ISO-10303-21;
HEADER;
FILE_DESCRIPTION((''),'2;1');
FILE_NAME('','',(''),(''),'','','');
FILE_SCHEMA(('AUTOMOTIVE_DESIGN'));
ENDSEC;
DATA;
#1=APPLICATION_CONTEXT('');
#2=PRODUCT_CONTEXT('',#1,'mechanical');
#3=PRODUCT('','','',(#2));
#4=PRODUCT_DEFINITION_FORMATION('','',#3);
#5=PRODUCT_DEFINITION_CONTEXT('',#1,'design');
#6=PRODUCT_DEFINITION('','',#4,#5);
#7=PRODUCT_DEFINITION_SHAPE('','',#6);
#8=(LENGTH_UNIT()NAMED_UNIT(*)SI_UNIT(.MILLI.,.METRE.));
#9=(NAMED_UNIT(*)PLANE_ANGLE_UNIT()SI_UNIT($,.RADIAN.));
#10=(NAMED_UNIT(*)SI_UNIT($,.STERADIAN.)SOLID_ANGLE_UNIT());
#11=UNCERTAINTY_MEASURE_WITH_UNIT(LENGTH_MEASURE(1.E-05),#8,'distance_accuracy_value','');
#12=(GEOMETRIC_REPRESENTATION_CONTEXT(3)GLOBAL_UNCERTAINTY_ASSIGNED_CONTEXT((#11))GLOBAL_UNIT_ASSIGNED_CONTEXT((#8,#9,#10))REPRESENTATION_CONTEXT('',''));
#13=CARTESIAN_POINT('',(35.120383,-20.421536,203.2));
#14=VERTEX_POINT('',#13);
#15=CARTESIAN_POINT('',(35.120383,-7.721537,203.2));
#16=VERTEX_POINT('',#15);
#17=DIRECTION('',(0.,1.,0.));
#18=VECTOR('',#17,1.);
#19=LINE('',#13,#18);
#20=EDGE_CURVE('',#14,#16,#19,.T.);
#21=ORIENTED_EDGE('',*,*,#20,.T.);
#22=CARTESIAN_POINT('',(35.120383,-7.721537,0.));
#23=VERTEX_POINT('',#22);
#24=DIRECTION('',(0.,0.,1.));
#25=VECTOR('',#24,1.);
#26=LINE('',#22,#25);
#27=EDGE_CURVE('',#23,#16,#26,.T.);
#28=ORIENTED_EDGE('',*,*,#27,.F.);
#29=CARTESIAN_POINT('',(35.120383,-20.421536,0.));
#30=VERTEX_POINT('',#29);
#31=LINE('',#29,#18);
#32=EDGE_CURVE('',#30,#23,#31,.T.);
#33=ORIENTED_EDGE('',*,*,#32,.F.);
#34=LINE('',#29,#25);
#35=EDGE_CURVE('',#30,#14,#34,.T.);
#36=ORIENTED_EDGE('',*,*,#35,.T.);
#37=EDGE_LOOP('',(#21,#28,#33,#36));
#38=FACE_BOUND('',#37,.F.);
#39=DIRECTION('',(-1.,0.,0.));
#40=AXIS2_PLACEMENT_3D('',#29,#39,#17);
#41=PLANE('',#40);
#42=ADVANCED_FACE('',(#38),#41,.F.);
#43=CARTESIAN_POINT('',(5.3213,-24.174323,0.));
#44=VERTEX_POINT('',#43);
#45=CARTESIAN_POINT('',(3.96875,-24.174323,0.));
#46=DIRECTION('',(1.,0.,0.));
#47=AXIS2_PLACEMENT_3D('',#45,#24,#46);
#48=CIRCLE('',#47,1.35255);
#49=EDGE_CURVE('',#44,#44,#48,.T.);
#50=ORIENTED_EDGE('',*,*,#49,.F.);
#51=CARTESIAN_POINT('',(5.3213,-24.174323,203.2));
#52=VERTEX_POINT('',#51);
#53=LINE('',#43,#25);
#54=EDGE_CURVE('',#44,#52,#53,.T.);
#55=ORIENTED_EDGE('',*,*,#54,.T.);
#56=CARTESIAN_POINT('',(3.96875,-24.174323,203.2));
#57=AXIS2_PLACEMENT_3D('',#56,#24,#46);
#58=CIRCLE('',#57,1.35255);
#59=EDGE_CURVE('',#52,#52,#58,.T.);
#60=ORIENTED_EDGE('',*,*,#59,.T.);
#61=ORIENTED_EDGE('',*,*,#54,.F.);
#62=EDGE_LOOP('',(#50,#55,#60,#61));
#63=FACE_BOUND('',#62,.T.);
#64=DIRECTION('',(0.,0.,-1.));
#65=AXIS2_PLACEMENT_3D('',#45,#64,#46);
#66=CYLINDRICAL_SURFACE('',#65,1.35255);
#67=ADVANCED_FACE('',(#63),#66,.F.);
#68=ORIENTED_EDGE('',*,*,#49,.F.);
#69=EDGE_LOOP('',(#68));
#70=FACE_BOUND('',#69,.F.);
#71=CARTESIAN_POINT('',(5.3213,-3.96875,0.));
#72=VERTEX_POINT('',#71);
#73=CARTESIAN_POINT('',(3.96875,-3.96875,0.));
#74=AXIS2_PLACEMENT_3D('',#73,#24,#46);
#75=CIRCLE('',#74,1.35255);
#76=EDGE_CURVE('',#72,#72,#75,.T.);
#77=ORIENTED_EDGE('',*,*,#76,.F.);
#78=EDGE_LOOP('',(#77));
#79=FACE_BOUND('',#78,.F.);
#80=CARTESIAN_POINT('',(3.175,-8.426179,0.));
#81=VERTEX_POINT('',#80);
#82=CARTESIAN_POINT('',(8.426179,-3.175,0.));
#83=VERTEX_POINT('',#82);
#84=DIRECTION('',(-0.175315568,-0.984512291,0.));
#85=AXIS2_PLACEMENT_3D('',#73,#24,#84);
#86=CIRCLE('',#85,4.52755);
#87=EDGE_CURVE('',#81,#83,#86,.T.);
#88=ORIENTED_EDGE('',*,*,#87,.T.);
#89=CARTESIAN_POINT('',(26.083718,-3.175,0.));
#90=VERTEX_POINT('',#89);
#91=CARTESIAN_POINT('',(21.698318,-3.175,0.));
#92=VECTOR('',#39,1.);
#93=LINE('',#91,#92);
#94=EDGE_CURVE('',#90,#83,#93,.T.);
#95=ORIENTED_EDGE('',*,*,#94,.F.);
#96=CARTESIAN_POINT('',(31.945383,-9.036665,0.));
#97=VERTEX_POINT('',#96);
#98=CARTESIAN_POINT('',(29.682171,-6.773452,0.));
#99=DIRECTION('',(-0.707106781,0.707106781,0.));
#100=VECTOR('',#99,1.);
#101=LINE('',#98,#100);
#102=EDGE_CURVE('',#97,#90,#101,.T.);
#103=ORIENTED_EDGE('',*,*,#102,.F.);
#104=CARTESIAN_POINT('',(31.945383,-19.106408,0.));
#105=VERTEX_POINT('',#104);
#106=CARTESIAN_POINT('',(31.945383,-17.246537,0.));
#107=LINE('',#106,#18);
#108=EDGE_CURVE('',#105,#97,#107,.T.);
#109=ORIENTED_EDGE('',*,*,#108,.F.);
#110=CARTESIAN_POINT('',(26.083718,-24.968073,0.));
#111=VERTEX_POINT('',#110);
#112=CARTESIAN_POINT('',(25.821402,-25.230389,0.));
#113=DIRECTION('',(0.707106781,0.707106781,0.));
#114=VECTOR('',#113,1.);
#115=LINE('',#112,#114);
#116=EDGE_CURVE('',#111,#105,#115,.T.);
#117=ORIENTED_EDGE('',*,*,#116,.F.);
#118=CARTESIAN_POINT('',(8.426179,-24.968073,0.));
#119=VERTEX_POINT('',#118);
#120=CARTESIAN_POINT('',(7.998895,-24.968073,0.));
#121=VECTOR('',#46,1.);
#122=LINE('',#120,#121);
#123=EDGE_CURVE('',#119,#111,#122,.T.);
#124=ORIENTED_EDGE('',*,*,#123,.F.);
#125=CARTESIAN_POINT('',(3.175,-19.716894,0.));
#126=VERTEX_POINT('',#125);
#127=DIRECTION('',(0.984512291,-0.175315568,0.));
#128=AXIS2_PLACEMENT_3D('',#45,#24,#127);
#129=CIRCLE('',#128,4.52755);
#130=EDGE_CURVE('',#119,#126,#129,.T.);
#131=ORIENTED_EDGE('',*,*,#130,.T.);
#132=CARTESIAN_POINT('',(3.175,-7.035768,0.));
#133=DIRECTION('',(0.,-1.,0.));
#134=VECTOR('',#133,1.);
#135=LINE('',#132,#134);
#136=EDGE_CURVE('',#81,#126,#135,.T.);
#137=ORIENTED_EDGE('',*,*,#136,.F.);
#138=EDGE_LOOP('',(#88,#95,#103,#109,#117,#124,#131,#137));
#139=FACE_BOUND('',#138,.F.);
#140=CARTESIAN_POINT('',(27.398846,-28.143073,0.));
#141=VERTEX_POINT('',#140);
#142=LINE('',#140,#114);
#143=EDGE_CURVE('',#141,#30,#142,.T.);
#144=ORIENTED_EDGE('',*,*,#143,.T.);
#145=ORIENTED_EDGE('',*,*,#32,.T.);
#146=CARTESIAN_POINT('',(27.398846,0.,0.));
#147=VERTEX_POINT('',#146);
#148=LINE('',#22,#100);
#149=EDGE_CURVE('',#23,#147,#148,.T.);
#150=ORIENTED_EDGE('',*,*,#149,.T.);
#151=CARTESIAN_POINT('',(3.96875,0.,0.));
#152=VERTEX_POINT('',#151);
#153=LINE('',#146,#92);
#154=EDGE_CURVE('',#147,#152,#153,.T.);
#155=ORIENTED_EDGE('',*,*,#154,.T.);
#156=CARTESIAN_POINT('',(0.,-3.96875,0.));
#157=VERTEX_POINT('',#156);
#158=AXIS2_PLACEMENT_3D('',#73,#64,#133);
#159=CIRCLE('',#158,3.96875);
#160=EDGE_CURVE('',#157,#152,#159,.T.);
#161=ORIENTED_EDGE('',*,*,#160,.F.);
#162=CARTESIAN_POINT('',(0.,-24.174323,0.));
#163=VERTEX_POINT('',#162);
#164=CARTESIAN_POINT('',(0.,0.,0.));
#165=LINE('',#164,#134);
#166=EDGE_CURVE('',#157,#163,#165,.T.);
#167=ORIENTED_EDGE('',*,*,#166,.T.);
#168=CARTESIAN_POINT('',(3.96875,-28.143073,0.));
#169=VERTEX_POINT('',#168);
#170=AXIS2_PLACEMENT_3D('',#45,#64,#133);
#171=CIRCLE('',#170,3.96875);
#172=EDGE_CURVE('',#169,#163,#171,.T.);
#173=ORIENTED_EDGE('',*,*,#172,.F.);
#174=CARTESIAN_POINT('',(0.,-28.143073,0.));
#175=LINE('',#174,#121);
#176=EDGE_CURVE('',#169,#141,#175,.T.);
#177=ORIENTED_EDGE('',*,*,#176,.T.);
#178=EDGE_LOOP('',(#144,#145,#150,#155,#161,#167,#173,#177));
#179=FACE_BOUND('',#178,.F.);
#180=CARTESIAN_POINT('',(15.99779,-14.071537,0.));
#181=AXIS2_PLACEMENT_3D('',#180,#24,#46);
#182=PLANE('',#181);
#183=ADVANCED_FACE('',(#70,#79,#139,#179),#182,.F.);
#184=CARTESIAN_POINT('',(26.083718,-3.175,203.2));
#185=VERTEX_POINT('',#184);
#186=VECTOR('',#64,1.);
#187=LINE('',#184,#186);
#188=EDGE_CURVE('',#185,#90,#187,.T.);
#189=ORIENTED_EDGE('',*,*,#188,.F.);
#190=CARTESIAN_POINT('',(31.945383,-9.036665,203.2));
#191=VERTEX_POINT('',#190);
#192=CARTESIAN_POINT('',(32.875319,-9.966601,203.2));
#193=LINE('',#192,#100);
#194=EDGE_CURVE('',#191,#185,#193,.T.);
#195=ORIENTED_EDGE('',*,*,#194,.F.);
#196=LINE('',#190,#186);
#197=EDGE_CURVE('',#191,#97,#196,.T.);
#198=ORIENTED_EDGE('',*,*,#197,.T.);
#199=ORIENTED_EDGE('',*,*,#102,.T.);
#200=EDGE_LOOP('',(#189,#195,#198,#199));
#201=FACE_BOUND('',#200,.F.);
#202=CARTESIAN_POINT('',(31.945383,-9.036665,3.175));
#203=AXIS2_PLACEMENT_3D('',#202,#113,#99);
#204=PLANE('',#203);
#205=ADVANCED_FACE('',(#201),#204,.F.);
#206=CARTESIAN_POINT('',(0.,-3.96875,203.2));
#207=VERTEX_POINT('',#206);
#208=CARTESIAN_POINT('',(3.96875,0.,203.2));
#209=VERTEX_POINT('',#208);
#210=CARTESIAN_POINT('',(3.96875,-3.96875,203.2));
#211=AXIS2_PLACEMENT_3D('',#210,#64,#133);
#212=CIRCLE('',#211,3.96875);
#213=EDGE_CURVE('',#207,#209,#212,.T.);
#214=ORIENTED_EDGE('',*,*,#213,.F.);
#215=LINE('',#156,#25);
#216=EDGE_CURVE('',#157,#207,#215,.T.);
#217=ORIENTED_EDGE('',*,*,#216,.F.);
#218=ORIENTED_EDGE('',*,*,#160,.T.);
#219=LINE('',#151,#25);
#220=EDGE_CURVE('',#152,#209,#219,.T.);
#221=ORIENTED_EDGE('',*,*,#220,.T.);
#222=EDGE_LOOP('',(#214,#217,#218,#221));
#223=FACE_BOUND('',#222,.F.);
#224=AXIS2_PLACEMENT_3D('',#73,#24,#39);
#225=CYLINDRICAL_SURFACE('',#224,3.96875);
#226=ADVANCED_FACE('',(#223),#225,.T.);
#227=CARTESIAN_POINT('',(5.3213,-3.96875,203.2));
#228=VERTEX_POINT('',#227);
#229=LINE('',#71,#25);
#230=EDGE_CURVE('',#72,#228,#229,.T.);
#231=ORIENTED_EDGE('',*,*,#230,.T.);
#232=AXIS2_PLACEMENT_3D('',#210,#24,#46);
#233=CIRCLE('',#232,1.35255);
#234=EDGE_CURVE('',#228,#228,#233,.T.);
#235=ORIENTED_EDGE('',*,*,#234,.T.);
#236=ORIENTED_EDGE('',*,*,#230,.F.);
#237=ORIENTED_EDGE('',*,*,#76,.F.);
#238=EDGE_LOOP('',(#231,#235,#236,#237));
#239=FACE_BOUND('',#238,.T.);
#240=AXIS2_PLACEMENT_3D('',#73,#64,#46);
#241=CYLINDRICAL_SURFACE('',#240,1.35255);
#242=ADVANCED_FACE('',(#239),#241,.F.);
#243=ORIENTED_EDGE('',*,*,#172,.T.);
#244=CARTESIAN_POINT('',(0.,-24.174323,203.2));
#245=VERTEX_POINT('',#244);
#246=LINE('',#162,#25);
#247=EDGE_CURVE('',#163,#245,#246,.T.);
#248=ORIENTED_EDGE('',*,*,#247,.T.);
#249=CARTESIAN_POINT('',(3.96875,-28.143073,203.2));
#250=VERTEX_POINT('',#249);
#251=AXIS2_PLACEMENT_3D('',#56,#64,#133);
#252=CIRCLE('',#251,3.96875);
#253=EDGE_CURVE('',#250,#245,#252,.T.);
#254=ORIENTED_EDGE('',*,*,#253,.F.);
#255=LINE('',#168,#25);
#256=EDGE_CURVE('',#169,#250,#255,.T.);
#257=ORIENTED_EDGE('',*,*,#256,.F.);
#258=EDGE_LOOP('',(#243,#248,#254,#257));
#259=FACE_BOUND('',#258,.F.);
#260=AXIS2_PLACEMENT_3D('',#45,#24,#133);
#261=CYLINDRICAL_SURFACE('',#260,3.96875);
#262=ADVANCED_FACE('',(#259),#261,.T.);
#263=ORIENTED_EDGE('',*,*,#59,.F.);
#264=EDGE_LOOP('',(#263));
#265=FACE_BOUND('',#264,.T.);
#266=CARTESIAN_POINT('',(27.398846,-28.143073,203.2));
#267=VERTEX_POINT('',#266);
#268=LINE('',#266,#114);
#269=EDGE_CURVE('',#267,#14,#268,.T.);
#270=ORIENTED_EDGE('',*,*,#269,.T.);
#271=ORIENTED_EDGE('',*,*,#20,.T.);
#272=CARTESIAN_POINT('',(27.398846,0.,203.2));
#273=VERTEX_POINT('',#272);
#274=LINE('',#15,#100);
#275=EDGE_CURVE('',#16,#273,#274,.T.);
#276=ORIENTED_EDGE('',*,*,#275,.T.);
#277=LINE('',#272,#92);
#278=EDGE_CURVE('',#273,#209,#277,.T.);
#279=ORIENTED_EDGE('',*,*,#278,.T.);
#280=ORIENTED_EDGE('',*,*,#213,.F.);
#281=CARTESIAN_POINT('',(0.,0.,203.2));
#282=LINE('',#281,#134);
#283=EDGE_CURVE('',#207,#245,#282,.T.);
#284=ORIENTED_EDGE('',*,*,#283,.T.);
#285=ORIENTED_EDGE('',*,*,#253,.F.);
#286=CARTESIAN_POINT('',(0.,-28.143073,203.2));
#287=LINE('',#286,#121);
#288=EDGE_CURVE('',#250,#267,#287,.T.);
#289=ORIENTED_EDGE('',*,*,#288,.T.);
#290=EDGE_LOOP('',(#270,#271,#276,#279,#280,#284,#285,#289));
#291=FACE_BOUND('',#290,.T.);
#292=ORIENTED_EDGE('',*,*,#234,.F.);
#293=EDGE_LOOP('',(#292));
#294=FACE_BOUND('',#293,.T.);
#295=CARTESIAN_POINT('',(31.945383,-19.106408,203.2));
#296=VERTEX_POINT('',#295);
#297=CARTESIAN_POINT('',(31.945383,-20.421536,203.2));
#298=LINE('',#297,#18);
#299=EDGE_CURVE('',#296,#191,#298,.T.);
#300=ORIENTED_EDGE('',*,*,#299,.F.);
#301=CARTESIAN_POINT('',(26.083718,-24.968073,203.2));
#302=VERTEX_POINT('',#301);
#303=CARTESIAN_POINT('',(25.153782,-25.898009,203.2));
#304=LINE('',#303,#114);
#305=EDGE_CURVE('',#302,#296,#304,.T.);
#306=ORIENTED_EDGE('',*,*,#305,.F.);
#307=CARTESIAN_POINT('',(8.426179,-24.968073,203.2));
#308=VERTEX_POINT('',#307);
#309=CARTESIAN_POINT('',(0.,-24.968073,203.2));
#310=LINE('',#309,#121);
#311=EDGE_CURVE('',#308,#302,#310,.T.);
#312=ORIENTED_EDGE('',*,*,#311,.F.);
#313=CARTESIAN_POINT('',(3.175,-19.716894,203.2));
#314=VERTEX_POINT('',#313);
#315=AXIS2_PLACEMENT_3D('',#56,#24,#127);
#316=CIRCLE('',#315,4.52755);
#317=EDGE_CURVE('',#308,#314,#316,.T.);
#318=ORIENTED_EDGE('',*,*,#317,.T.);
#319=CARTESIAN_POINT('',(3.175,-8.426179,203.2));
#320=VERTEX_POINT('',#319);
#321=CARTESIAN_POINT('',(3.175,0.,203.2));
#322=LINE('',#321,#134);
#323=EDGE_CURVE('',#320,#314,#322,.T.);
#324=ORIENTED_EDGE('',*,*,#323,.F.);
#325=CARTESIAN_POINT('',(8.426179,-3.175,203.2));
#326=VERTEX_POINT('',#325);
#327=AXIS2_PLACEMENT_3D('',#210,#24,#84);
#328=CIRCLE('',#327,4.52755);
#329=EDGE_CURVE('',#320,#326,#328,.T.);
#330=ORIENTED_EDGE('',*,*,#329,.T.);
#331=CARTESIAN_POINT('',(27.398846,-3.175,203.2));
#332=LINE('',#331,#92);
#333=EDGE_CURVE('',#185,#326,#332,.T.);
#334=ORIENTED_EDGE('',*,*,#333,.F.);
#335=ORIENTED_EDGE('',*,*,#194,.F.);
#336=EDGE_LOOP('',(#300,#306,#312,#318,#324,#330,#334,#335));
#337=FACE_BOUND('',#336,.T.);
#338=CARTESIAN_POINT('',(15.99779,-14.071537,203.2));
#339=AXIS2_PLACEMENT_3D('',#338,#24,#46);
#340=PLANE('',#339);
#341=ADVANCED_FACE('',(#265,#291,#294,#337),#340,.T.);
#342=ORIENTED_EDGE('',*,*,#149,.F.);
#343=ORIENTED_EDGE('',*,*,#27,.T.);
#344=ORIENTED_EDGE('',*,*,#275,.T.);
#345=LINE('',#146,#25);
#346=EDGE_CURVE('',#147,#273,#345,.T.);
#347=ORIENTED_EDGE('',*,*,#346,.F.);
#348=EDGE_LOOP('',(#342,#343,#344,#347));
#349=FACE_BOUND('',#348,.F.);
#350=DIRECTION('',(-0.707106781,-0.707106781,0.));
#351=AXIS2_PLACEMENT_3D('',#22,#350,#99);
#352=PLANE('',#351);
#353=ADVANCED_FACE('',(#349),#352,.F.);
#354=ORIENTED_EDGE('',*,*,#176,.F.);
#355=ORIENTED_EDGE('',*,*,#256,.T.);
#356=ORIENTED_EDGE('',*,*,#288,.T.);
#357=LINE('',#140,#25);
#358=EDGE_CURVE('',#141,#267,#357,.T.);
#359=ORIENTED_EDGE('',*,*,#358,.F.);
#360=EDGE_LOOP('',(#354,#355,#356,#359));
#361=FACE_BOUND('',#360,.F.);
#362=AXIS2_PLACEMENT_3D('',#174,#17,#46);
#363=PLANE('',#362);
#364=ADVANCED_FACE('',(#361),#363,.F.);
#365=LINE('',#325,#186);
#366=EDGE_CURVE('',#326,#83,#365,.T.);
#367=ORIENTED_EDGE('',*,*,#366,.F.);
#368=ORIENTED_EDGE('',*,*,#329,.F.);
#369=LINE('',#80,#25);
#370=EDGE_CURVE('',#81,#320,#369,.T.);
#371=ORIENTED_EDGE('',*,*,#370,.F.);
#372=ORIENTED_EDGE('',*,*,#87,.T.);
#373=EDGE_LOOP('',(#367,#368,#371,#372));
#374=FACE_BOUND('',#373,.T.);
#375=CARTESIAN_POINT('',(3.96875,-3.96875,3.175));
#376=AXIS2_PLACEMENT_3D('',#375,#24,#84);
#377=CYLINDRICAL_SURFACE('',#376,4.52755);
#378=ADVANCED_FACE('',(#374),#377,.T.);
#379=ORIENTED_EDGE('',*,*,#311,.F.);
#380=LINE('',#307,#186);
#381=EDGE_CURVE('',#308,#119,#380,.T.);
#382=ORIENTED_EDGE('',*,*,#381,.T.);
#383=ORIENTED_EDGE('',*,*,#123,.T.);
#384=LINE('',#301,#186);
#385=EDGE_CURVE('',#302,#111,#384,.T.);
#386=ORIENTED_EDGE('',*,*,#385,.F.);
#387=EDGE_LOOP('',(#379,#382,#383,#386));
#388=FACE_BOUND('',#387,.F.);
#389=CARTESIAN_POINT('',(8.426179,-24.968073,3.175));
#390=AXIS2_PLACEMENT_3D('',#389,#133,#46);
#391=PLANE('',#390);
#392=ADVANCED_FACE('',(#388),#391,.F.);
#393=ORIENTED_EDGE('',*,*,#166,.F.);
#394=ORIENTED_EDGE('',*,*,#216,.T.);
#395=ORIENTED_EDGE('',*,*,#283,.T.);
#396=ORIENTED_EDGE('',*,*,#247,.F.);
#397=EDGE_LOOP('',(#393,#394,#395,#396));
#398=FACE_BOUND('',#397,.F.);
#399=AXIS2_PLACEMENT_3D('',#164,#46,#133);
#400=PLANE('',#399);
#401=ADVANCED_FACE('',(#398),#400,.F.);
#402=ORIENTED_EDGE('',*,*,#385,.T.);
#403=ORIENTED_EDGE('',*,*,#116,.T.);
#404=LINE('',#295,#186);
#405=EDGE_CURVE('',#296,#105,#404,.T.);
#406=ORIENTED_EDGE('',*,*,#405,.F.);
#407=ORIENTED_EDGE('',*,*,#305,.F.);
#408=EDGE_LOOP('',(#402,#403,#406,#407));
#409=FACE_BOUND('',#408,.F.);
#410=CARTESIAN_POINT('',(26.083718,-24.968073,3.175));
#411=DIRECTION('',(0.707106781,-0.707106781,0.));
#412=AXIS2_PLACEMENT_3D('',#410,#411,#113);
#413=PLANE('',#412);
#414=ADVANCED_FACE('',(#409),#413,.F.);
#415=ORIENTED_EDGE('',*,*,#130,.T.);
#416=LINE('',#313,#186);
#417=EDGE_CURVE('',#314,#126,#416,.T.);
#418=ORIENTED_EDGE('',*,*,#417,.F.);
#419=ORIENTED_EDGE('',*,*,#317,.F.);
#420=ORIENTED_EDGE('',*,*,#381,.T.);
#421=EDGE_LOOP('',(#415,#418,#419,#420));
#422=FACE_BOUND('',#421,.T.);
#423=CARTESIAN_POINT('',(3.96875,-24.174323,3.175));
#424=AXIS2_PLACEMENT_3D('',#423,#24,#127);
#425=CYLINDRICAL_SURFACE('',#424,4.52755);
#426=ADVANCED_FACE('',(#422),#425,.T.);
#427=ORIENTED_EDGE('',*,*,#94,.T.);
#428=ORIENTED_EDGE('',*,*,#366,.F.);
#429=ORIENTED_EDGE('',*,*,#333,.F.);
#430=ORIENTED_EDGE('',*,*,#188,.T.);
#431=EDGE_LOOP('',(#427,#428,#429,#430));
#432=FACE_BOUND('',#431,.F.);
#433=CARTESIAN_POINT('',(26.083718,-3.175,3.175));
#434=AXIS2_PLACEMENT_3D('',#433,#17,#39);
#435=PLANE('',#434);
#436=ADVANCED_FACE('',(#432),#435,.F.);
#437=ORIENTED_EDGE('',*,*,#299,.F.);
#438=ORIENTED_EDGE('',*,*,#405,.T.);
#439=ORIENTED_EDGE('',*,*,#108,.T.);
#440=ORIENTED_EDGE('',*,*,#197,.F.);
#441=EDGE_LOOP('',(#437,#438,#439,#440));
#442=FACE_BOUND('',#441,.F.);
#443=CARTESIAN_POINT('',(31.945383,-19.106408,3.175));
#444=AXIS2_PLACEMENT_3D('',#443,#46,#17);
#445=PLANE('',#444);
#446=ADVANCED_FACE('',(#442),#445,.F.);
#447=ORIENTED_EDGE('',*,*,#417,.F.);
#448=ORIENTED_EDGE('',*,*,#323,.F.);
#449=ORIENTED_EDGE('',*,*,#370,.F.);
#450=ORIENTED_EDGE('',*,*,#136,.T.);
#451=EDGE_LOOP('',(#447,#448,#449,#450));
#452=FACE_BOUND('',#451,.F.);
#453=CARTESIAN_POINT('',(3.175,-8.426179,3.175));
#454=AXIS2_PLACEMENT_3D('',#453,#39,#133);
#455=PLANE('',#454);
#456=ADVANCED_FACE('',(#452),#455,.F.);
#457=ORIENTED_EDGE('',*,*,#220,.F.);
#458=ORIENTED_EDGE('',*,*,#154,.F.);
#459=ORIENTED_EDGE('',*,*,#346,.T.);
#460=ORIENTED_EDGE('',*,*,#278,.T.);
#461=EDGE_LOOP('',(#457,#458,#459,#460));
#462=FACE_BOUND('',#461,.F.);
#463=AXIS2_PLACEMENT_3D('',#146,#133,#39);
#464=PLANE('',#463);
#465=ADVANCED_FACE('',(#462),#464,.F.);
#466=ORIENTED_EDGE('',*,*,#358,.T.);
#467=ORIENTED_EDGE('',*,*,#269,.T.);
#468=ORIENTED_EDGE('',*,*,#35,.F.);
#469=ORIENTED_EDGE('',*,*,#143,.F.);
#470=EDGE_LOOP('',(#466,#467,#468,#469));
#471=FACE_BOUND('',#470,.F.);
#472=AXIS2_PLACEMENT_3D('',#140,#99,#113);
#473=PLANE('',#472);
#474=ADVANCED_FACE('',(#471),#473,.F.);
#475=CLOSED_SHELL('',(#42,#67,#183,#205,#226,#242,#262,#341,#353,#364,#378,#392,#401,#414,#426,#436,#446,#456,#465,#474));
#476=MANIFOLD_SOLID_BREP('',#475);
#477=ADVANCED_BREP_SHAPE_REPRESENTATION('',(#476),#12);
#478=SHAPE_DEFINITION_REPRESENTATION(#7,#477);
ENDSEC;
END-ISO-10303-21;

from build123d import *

# Parameters (mm, degrees)
F0_R     = 1.35255
F1_DEPTH = 203.2
F2_T     = -3.175
F3_DEPTH = 3.175
F4_R     = 3.96875


with BuildPart() as f1:
    # F0 (on Top) → F1 (new body)
    with BuildSketch(Plane.XY):
        Polygon((35.120382905, -7.7215365), (27.398846405, 0), (0, 0), (0, -28.143073), (27.398846405, -28.143073), (35.120382905, -20.4215365), align=None)
        with Locations((3.96875, -24.174323)):
            Circle(F0_R, mode=Mode.SUBTRACT)
        with Locations((3.96875, -3.96875)):
            Circle(F0_R, mode=Mode.SUBTRACT)
    extrude(amount=F1_DEPTH)

    # F2
    f2_openings = [f1.faces().sort_by_distance(p)[0] for p in [
        (16.75641, -14.071537, 203.2),
    ]]
    offset(amount=F2_T, openings=f2_openings)

    # F3 (cut, through all): a face of the model
    f3_faces = [f1.faces().sort_by_distance(p)[0] for p in [
        (17.830633935, -14.0715365, 3.175),
    ]]
    extrude(f3_faces, amount=-F3_DEPTH, mode=Mode.SUBTRACT)

    # F4
    f4_edges = [f1.edges().sort_by_distance(p)[0] for p in [
        (0, 0, 101.6),
        (0, -28.143073, 101.6),
    ]]
    fillet(f4_edges, radius=F4_R)


solid = f1.part
